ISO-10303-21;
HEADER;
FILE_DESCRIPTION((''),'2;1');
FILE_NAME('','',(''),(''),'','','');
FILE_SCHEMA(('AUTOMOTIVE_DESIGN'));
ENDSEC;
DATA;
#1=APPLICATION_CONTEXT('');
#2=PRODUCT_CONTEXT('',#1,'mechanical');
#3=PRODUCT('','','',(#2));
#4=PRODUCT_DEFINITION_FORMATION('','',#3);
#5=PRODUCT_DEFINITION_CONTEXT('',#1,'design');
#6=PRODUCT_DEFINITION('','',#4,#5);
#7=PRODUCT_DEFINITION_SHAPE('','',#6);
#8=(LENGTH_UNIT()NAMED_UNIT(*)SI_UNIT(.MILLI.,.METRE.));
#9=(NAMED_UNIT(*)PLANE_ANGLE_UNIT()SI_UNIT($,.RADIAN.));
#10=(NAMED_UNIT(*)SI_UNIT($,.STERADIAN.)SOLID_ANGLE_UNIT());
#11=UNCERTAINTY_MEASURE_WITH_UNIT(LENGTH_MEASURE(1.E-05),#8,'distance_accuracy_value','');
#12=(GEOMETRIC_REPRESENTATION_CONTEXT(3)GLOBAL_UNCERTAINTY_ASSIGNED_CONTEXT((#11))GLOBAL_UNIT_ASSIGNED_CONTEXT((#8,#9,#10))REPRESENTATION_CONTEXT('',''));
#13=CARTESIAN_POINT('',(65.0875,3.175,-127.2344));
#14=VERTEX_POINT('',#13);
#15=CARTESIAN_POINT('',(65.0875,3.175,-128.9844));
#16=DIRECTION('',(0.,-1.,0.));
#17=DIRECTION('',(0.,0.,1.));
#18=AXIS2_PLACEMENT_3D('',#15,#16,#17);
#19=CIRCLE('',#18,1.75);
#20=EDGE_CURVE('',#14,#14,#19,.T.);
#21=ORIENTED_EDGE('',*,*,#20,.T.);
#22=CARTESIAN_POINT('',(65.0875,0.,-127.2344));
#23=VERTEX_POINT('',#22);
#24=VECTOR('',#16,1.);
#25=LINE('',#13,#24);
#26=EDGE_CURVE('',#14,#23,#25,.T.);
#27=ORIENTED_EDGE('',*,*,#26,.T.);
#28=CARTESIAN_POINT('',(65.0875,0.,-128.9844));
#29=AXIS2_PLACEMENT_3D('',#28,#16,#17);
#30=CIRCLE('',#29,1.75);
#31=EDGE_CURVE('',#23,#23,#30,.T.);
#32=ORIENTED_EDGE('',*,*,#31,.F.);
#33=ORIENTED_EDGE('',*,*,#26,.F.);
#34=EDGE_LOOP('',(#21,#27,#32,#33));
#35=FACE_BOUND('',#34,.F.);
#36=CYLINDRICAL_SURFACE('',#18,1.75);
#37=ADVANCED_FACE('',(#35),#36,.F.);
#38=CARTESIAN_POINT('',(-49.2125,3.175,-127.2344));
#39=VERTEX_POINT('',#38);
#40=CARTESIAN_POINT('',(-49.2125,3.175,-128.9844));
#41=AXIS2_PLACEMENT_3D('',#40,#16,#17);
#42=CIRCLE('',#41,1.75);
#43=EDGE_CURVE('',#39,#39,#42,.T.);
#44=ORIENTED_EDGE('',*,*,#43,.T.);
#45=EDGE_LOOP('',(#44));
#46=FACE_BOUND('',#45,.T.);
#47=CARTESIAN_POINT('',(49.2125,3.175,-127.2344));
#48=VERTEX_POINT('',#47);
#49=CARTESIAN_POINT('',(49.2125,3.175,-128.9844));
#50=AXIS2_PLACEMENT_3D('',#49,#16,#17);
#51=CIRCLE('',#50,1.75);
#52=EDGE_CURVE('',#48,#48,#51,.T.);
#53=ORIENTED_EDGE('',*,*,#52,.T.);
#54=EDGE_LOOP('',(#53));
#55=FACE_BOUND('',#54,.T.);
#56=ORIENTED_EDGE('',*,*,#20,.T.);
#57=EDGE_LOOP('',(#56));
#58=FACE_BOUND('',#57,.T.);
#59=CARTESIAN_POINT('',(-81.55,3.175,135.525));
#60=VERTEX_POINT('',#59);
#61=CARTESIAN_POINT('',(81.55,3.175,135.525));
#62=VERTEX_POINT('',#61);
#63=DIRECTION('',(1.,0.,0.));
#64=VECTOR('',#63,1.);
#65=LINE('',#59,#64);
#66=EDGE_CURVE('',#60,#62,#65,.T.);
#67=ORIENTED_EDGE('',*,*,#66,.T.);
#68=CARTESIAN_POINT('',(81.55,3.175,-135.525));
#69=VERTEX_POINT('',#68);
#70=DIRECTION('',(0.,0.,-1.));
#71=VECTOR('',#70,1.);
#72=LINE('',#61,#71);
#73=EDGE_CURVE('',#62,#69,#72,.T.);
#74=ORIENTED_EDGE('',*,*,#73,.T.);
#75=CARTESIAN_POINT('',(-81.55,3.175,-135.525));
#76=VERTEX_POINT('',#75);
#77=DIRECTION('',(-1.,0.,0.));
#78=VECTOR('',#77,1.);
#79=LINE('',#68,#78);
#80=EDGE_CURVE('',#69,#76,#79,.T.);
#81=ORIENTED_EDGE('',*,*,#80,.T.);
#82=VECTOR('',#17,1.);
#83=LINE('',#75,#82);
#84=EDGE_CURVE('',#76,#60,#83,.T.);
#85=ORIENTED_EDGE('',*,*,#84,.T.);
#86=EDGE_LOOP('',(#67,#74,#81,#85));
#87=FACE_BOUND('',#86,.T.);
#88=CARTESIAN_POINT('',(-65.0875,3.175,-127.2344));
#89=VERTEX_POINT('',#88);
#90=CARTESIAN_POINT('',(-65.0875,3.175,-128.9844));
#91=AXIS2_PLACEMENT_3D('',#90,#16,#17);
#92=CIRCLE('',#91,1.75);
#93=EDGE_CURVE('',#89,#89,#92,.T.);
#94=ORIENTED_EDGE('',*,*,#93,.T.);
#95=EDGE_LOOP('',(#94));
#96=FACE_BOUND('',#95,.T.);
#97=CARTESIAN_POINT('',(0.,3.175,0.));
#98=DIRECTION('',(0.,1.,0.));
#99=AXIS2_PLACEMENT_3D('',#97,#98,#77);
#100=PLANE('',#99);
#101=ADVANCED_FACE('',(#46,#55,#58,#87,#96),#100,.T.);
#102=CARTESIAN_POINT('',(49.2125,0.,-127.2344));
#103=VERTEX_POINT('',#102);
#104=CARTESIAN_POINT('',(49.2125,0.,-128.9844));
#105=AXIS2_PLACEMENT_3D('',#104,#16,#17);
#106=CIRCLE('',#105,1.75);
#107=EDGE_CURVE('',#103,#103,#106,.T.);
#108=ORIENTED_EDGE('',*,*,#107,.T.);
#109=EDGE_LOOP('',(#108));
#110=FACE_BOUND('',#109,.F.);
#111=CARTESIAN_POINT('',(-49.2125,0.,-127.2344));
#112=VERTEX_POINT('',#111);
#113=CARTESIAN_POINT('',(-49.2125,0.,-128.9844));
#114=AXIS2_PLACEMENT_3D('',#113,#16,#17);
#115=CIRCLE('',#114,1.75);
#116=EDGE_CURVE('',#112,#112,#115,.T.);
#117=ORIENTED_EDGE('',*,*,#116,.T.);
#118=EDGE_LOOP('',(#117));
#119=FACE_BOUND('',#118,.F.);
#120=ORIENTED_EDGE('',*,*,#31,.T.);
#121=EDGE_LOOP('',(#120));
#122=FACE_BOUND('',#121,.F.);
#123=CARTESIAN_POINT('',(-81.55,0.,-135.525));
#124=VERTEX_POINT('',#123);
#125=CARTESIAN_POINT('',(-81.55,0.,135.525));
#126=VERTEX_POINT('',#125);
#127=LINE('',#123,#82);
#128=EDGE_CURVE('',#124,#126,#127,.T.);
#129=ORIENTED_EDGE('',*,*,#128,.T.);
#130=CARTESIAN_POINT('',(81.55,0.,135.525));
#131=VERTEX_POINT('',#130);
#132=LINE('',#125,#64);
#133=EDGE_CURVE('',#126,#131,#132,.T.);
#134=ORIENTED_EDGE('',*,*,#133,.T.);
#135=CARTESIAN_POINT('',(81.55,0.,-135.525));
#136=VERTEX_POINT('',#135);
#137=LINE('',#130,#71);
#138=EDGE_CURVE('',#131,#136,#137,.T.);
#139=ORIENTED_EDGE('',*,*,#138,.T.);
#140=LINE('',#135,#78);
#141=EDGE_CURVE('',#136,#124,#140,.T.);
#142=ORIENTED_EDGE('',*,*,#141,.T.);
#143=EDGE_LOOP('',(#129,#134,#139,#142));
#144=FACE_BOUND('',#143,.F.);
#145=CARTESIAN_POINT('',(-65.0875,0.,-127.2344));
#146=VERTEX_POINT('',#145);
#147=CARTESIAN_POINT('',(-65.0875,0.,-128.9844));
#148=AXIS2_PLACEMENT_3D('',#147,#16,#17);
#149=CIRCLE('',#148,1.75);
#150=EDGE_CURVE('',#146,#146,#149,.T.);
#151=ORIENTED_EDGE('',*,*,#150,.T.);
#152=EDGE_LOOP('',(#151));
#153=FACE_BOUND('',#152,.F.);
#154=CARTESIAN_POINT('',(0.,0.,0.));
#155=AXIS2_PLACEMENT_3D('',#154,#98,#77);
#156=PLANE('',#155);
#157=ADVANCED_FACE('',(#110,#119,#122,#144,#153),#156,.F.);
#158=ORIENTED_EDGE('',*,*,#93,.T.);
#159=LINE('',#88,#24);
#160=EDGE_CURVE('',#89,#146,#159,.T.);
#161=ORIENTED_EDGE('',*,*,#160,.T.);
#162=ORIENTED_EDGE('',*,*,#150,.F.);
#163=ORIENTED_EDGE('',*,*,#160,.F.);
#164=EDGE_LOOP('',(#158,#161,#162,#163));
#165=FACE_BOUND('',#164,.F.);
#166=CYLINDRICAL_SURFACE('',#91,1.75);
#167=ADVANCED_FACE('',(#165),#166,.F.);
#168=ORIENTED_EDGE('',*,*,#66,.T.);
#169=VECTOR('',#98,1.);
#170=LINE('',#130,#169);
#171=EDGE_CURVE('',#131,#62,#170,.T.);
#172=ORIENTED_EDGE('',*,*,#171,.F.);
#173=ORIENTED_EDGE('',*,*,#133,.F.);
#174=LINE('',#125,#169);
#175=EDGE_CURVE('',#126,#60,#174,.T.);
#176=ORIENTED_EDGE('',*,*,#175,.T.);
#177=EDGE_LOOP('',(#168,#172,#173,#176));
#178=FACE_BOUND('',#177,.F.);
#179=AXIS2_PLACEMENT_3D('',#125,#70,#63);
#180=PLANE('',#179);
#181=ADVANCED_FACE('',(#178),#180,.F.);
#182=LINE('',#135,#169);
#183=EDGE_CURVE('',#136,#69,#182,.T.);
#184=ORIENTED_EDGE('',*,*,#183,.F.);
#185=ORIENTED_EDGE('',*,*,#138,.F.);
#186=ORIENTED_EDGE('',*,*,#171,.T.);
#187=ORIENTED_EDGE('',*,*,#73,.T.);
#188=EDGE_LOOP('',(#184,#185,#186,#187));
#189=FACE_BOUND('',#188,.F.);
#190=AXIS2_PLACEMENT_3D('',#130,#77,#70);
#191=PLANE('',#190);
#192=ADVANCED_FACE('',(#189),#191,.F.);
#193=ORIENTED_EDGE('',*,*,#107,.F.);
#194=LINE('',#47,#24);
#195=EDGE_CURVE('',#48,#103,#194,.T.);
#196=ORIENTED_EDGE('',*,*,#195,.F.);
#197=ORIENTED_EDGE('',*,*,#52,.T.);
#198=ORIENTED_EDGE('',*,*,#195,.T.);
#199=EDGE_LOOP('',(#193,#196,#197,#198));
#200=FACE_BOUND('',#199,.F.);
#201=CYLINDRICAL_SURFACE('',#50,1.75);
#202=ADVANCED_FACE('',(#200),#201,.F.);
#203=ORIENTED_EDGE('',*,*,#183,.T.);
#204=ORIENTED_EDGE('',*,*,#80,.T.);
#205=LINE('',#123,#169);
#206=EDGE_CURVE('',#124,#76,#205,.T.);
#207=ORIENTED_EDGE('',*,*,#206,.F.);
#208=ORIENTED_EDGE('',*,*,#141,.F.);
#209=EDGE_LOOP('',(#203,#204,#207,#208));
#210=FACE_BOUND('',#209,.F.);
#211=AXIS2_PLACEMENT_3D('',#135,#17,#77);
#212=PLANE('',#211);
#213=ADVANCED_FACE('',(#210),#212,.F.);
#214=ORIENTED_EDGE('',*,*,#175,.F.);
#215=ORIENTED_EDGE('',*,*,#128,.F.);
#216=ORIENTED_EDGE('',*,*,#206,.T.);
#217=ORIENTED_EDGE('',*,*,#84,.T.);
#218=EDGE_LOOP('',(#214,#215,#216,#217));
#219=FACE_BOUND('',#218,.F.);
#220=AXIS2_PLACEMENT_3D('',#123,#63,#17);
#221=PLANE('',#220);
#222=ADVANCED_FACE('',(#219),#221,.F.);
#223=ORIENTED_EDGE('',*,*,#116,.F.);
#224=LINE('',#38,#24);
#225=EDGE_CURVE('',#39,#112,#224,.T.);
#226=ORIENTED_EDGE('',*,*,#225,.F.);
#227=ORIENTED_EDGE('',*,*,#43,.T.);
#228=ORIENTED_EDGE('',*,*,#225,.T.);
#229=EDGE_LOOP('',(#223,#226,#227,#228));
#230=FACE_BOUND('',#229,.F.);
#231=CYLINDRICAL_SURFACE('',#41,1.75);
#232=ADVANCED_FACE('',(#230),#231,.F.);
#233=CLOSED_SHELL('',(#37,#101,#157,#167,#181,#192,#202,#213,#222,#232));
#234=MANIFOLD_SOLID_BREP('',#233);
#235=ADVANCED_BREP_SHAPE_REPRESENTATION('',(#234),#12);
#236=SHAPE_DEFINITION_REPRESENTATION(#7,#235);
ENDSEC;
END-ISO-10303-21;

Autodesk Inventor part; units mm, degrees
ref_plane "YZ Plane" through (0, 0, 0) normal (1, 0, 0) x (0, 1, 0)
ref_plane "XZ Plane" through (0, 0, 0) normal (0, 1, 0) x (-1, 0, 0)
ref_plane "XY Plane" through (0, 0, 0) normal (0, 0, 1) x (1, 0, 0)
sketch "Sketch1" plane through (0, 0, 0) normal (0, 1, 0) x (-1, 0, 0)
  line L0 (81.55, 135.525) -> (-81.55, 135.525)
  line L1 (-81.55, 135.525) -> (-81.55, -135.525)
  line L2 (-81.55, -135.525) -> (81.55, -135.525)
  line L3 (81.55, -135.525) -> (81.55, 135.525)
  line L4 (81.55, 135.525) -> (-81.55, -135.525) construction
  line L5 (-81.55, 135.525) -> (81.55, -135.525) construction
  point P0 (0, 0)
  dimension "d0" = 163.1
  dimension "d1" = 271.05
extrude "Extrusion1" add sketch "Sketch1" along normal blind 3.175
sketch "Sketch2" plane through (0, 3.175, 0) normal (0, 1, 0) x (1, 0, 0)
  line L0 (81.55, 135.525) -> (-81.55, 135.525) projected
  line L1 (-81.55, 135.525) -> (-81.55, -135.525) projected
  line L2 (-81.55, -135.525) -> (81.55, -135.525) projected
  line L3 (81.55, -135.525) -> (81.55, 135.525) projected
  line L4 (-49.1236, 135.0962) -> (-54.7878, 135.0962) projected
  line L5 (-54.7878, 135.0962) -> (-54.7878, 136.525) projected
  line L6 (-59.5122, 136.525) -> (-54.7878, 136.525) projected
  line L7 (-59.5122, 136.525) -> (-59.5122, 135.0962) projected
  line L8 (-59.5122, 135.0962) -> (-65.1764, 135.0962) projected
  line L9 (-65.1764, 135.0962) -> (-65.1764, 136.525) projected
  line L10 (-69.85, 136.525) -> (-65.1764, 136.525) projected
  line L11 (-69.85, 123.825) -> (-69.85, 136.525) projected
  line L12 (-69.85, 123.825) -> (-44.45, 123.825) projected
  line L13 (-44.45, 123.825) -> (-44.45, 136.525) projected
  line L14 (-49.1236, 136.525) -> (-44.45, 136.525) projected
  line L15 (-49.1236, 136.525) -> (-49.1236, 135.0962) projected
  circle A0 centre (-49.2125, 128.9844) radius 2.0955 projected
  circle A1 centre (-65.0875, 128.9844) radius 2.0955 projected
  line L16 (65.1764, 135.0962) -> (59.5122, 135.0962) projected
  line L17 (59.5122, 135.0962) -> (59.5122, 136.525) projected
  line L18 (54.7878, 136.525) -> (59.5122, 136.525) projected
  line L19 (54.7878, 136.525) -> (54.7878, 135.0962) projected
  line L20 (54.7878, 135.0962) -> (49.1236, 135.0962) projected
  line L21 (49.1236, 135.0962) -> (49.1236, 136.525) projected
  line L22 (44.45, 136.525) -> (49.1236, 136.525) projected
  line L23 (44.45, 123.825) -> (44.45, 136.525) projected
  line L24 (44.45, 123.825) -> (69.85, 123.825) projected
  line L25 (69.85, 123.825) -> (69.85, 136.525) projected
  line L26 (65.1764, 136.525) -> (69.85, 136.525) projected
  line L27 (65.1764, 136.525) -> (65.1764, 135.0962) projected
  circle A2 centre (65.0875, 128.9844) radius 2.0955 projected
  circle A3 centre (49.2125, 128.9844) radius 2.0955 projected
  point P0 (0, 0)
hole "Hole1" at (-49.2125, 3.175, -128.9844) at (-65.0875, 3.175, -128.9844) at (49.2125, 3.175, -128.9844) at (65.0875, 3.175, -128.9844) direction (0, -1, 0) diameter 3.5 end through all
properties part number "NASA-20-EBOX-LID-01" material "Polycarbonate, Smoke"
